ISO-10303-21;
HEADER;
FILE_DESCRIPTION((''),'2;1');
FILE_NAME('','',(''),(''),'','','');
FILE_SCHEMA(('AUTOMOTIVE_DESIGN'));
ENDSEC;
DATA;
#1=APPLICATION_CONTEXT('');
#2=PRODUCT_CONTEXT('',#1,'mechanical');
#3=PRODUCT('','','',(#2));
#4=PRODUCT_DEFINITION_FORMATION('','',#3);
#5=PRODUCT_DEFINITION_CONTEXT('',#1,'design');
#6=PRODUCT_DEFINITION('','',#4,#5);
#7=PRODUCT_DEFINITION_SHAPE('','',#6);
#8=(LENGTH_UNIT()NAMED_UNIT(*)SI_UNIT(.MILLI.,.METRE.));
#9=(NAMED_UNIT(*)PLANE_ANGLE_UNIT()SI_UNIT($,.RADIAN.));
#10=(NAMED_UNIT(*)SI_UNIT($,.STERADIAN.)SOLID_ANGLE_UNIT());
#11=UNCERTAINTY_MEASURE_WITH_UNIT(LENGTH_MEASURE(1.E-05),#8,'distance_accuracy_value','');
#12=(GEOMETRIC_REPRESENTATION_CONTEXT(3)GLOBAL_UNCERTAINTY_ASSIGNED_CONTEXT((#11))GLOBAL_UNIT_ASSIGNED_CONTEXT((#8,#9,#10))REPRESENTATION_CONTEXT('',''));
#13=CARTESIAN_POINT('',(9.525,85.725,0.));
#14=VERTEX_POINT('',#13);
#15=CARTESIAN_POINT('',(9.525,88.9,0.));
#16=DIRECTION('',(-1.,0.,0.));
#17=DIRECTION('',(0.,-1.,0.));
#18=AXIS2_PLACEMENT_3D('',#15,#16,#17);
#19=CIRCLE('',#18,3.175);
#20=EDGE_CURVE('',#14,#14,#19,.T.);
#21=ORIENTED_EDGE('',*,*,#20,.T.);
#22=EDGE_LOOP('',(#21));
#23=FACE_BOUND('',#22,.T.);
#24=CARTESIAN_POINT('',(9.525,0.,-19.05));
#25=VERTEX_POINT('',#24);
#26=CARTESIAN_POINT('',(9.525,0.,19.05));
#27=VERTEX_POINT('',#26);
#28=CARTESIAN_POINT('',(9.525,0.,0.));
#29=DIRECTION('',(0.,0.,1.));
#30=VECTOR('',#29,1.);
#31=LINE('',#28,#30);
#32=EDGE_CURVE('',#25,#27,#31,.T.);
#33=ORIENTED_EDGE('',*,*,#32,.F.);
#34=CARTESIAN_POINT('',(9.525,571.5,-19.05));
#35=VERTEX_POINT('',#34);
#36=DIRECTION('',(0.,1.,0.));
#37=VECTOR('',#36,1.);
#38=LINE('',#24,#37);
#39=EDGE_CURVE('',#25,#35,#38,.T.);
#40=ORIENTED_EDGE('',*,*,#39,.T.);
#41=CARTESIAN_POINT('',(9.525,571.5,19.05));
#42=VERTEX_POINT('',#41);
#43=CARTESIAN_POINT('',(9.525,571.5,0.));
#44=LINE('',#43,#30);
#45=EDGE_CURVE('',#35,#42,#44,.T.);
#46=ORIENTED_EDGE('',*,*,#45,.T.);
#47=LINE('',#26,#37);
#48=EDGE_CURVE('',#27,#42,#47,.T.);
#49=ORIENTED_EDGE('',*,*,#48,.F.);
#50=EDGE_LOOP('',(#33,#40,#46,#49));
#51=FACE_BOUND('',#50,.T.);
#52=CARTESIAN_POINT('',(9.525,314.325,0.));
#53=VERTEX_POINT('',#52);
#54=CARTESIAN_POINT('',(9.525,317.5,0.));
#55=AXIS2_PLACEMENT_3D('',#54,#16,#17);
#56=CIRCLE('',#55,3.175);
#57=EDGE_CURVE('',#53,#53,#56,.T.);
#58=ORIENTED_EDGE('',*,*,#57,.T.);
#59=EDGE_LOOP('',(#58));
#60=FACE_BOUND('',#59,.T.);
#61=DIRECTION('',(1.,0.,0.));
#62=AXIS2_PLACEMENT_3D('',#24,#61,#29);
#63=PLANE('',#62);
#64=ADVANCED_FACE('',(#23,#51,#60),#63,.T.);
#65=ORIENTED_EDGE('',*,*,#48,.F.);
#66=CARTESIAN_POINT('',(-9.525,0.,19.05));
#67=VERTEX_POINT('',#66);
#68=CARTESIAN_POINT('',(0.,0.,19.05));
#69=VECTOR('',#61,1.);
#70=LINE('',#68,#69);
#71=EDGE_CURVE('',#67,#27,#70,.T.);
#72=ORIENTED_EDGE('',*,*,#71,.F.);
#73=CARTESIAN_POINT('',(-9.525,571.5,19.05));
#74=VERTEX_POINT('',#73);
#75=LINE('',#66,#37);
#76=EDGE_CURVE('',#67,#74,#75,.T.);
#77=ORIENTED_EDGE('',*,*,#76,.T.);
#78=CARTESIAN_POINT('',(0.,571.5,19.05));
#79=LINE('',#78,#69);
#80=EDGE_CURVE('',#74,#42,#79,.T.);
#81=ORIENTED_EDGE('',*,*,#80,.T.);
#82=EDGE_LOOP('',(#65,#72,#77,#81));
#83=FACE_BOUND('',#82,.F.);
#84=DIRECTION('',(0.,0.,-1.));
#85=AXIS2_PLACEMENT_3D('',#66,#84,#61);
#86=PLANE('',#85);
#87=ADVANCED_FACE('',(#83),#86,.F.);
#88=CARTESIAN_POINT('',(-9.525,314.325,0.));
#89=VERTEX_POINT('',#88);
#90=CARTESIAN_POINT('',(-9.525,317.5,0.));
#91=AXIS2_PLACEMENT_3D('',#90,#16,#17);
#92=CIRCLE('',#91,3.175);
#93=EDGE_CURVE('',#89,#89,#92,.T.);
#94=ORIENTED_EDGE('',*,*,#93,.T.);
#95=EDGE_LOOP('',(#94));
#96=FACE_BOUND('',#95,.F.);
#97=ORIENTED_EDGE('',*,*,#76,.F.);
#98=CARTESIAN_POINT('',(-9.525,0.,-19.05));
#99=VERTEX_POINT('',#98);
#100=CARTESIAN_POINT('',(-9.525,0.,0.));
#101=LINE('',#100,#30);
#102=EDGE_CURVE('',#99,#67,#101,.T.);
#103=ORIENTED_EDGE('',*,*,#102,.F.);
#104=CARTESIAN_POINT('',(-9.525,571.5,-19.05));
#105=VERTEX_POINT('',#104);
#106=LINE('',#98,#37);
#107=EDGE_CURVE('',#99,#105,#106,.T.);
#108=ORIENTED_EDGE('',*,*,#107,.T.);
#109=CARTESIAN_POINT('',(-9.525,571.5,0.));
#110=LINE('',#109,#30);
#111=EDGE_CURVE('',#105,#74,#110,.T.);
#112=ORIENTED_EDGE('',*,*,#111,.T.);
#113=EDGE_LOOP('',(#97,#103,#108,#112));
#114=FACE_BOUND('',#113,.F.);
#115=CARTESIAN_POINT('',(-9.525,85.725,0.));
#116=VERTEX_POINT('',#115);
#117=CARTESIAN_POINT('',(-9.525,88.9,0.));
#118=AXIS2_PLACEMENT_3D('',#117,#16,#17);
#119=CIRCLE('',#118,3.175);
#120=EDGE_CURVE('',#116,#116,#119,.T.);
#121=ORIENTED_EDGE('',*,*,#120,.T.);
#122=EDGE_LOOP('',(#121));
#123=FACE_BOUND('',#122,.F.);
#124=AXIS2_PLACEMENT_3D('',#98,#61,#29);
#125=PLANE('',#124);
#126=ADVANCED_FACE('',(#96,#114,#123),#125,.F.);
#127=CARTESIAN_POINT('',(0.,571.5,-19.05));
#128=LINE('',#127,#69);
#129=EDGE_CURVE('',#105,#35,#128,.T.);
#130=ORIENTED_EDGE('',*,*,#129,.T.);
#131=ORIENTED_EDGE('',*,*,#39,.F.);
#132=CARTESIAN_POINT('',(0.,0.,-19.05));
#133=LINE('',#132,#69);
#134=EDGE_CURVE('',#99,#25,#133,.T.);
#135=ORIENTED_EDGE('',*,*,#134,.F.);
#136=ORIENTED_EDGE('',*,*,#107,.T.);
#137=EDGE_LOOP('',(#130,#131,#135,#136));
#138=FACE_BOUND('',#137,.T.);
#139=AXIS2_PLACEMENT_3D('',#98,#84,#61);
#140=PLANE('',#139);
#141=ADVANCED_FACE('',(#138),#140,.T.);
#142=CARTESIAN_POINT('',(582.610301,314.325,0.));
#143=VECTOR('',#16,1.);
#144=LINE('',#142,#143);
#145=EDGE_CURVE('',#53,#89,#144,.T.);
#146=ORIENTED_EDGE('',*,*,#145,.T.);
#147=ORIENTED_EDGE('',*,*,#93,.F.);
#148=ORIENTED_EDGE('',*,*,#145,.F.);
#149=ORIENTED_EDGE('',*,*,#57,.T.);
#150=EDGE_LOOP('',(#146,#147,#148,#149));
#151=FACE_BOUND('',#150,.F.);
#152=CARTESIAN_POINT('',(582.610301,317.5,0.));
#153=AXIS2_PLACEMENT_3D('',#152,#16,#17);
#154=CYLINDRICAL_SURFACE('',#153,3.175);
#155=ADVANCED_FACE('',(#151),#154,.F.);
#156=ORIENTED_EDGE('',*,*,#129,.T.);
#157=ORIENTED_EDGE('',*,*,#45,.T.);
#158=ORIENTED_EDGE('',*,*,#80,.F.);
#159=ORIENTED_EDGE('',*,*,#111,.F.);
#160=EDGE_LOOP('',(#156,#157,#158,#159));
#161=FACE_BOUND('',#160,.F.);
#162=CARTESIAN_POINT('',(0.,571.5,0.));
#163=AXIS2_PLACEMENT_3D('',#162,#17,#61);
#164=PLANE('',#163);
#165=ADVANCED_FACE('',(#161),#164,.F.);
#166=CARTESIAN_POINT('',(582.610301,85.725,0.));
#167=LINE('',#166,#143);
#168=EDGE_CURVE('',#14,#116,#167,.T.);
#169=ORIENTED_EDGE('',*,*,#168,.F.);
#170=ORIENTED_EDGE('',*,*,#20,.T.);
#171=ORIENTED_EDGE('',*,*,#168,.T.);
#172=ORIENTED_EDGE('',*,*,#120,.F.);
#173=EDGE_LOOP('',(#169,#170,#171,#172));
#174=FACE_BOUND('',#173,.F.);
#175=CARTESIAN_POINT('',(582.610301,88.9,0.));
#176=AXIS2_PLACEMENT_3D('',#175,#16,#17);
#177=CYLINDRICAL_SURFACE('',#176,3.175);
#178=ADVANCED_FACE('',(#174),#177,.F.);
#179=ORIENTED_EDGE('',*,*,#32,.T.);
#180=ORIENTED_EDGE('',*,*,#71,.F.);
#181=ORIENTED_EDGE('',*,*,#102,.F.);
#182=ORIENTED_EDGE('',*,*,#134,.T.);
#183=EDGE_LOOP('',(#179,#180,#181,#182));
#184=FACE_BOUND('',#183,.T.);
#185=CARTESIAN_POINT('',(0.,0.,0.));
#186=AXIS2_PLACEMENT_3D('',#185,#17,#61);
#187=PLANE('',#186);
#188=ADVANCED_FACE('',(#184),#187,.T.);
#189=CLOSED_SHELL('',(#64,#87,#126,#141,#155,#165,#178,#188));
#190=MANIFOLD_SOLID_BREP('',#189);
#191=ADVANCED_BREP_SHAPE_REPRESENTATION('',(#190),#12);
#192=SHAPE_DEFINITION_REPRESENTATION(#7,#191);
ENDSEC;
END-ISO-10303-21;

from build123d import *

# Parameters (mm, degrees)
F0_W     = 19.05
F0_H     = 38.1
F1_DEPTH = 571.5
F3_D     = 6.35


with BuildPart() as f1:
    # F0 (on Front) → F1 (new body)
    with BuildSketch(Plane.XZ):
        Rectangle(F0_W, F0_H)
    extrude(amount=-F1_DEPTH)

    # F3 (through all)
    with Locations(Plane.YZ.offset(9.525)):
        with Locations((88.9, 0), (317.5, 0)):
            Hole(F3_D / 2)


solid = f1.part
